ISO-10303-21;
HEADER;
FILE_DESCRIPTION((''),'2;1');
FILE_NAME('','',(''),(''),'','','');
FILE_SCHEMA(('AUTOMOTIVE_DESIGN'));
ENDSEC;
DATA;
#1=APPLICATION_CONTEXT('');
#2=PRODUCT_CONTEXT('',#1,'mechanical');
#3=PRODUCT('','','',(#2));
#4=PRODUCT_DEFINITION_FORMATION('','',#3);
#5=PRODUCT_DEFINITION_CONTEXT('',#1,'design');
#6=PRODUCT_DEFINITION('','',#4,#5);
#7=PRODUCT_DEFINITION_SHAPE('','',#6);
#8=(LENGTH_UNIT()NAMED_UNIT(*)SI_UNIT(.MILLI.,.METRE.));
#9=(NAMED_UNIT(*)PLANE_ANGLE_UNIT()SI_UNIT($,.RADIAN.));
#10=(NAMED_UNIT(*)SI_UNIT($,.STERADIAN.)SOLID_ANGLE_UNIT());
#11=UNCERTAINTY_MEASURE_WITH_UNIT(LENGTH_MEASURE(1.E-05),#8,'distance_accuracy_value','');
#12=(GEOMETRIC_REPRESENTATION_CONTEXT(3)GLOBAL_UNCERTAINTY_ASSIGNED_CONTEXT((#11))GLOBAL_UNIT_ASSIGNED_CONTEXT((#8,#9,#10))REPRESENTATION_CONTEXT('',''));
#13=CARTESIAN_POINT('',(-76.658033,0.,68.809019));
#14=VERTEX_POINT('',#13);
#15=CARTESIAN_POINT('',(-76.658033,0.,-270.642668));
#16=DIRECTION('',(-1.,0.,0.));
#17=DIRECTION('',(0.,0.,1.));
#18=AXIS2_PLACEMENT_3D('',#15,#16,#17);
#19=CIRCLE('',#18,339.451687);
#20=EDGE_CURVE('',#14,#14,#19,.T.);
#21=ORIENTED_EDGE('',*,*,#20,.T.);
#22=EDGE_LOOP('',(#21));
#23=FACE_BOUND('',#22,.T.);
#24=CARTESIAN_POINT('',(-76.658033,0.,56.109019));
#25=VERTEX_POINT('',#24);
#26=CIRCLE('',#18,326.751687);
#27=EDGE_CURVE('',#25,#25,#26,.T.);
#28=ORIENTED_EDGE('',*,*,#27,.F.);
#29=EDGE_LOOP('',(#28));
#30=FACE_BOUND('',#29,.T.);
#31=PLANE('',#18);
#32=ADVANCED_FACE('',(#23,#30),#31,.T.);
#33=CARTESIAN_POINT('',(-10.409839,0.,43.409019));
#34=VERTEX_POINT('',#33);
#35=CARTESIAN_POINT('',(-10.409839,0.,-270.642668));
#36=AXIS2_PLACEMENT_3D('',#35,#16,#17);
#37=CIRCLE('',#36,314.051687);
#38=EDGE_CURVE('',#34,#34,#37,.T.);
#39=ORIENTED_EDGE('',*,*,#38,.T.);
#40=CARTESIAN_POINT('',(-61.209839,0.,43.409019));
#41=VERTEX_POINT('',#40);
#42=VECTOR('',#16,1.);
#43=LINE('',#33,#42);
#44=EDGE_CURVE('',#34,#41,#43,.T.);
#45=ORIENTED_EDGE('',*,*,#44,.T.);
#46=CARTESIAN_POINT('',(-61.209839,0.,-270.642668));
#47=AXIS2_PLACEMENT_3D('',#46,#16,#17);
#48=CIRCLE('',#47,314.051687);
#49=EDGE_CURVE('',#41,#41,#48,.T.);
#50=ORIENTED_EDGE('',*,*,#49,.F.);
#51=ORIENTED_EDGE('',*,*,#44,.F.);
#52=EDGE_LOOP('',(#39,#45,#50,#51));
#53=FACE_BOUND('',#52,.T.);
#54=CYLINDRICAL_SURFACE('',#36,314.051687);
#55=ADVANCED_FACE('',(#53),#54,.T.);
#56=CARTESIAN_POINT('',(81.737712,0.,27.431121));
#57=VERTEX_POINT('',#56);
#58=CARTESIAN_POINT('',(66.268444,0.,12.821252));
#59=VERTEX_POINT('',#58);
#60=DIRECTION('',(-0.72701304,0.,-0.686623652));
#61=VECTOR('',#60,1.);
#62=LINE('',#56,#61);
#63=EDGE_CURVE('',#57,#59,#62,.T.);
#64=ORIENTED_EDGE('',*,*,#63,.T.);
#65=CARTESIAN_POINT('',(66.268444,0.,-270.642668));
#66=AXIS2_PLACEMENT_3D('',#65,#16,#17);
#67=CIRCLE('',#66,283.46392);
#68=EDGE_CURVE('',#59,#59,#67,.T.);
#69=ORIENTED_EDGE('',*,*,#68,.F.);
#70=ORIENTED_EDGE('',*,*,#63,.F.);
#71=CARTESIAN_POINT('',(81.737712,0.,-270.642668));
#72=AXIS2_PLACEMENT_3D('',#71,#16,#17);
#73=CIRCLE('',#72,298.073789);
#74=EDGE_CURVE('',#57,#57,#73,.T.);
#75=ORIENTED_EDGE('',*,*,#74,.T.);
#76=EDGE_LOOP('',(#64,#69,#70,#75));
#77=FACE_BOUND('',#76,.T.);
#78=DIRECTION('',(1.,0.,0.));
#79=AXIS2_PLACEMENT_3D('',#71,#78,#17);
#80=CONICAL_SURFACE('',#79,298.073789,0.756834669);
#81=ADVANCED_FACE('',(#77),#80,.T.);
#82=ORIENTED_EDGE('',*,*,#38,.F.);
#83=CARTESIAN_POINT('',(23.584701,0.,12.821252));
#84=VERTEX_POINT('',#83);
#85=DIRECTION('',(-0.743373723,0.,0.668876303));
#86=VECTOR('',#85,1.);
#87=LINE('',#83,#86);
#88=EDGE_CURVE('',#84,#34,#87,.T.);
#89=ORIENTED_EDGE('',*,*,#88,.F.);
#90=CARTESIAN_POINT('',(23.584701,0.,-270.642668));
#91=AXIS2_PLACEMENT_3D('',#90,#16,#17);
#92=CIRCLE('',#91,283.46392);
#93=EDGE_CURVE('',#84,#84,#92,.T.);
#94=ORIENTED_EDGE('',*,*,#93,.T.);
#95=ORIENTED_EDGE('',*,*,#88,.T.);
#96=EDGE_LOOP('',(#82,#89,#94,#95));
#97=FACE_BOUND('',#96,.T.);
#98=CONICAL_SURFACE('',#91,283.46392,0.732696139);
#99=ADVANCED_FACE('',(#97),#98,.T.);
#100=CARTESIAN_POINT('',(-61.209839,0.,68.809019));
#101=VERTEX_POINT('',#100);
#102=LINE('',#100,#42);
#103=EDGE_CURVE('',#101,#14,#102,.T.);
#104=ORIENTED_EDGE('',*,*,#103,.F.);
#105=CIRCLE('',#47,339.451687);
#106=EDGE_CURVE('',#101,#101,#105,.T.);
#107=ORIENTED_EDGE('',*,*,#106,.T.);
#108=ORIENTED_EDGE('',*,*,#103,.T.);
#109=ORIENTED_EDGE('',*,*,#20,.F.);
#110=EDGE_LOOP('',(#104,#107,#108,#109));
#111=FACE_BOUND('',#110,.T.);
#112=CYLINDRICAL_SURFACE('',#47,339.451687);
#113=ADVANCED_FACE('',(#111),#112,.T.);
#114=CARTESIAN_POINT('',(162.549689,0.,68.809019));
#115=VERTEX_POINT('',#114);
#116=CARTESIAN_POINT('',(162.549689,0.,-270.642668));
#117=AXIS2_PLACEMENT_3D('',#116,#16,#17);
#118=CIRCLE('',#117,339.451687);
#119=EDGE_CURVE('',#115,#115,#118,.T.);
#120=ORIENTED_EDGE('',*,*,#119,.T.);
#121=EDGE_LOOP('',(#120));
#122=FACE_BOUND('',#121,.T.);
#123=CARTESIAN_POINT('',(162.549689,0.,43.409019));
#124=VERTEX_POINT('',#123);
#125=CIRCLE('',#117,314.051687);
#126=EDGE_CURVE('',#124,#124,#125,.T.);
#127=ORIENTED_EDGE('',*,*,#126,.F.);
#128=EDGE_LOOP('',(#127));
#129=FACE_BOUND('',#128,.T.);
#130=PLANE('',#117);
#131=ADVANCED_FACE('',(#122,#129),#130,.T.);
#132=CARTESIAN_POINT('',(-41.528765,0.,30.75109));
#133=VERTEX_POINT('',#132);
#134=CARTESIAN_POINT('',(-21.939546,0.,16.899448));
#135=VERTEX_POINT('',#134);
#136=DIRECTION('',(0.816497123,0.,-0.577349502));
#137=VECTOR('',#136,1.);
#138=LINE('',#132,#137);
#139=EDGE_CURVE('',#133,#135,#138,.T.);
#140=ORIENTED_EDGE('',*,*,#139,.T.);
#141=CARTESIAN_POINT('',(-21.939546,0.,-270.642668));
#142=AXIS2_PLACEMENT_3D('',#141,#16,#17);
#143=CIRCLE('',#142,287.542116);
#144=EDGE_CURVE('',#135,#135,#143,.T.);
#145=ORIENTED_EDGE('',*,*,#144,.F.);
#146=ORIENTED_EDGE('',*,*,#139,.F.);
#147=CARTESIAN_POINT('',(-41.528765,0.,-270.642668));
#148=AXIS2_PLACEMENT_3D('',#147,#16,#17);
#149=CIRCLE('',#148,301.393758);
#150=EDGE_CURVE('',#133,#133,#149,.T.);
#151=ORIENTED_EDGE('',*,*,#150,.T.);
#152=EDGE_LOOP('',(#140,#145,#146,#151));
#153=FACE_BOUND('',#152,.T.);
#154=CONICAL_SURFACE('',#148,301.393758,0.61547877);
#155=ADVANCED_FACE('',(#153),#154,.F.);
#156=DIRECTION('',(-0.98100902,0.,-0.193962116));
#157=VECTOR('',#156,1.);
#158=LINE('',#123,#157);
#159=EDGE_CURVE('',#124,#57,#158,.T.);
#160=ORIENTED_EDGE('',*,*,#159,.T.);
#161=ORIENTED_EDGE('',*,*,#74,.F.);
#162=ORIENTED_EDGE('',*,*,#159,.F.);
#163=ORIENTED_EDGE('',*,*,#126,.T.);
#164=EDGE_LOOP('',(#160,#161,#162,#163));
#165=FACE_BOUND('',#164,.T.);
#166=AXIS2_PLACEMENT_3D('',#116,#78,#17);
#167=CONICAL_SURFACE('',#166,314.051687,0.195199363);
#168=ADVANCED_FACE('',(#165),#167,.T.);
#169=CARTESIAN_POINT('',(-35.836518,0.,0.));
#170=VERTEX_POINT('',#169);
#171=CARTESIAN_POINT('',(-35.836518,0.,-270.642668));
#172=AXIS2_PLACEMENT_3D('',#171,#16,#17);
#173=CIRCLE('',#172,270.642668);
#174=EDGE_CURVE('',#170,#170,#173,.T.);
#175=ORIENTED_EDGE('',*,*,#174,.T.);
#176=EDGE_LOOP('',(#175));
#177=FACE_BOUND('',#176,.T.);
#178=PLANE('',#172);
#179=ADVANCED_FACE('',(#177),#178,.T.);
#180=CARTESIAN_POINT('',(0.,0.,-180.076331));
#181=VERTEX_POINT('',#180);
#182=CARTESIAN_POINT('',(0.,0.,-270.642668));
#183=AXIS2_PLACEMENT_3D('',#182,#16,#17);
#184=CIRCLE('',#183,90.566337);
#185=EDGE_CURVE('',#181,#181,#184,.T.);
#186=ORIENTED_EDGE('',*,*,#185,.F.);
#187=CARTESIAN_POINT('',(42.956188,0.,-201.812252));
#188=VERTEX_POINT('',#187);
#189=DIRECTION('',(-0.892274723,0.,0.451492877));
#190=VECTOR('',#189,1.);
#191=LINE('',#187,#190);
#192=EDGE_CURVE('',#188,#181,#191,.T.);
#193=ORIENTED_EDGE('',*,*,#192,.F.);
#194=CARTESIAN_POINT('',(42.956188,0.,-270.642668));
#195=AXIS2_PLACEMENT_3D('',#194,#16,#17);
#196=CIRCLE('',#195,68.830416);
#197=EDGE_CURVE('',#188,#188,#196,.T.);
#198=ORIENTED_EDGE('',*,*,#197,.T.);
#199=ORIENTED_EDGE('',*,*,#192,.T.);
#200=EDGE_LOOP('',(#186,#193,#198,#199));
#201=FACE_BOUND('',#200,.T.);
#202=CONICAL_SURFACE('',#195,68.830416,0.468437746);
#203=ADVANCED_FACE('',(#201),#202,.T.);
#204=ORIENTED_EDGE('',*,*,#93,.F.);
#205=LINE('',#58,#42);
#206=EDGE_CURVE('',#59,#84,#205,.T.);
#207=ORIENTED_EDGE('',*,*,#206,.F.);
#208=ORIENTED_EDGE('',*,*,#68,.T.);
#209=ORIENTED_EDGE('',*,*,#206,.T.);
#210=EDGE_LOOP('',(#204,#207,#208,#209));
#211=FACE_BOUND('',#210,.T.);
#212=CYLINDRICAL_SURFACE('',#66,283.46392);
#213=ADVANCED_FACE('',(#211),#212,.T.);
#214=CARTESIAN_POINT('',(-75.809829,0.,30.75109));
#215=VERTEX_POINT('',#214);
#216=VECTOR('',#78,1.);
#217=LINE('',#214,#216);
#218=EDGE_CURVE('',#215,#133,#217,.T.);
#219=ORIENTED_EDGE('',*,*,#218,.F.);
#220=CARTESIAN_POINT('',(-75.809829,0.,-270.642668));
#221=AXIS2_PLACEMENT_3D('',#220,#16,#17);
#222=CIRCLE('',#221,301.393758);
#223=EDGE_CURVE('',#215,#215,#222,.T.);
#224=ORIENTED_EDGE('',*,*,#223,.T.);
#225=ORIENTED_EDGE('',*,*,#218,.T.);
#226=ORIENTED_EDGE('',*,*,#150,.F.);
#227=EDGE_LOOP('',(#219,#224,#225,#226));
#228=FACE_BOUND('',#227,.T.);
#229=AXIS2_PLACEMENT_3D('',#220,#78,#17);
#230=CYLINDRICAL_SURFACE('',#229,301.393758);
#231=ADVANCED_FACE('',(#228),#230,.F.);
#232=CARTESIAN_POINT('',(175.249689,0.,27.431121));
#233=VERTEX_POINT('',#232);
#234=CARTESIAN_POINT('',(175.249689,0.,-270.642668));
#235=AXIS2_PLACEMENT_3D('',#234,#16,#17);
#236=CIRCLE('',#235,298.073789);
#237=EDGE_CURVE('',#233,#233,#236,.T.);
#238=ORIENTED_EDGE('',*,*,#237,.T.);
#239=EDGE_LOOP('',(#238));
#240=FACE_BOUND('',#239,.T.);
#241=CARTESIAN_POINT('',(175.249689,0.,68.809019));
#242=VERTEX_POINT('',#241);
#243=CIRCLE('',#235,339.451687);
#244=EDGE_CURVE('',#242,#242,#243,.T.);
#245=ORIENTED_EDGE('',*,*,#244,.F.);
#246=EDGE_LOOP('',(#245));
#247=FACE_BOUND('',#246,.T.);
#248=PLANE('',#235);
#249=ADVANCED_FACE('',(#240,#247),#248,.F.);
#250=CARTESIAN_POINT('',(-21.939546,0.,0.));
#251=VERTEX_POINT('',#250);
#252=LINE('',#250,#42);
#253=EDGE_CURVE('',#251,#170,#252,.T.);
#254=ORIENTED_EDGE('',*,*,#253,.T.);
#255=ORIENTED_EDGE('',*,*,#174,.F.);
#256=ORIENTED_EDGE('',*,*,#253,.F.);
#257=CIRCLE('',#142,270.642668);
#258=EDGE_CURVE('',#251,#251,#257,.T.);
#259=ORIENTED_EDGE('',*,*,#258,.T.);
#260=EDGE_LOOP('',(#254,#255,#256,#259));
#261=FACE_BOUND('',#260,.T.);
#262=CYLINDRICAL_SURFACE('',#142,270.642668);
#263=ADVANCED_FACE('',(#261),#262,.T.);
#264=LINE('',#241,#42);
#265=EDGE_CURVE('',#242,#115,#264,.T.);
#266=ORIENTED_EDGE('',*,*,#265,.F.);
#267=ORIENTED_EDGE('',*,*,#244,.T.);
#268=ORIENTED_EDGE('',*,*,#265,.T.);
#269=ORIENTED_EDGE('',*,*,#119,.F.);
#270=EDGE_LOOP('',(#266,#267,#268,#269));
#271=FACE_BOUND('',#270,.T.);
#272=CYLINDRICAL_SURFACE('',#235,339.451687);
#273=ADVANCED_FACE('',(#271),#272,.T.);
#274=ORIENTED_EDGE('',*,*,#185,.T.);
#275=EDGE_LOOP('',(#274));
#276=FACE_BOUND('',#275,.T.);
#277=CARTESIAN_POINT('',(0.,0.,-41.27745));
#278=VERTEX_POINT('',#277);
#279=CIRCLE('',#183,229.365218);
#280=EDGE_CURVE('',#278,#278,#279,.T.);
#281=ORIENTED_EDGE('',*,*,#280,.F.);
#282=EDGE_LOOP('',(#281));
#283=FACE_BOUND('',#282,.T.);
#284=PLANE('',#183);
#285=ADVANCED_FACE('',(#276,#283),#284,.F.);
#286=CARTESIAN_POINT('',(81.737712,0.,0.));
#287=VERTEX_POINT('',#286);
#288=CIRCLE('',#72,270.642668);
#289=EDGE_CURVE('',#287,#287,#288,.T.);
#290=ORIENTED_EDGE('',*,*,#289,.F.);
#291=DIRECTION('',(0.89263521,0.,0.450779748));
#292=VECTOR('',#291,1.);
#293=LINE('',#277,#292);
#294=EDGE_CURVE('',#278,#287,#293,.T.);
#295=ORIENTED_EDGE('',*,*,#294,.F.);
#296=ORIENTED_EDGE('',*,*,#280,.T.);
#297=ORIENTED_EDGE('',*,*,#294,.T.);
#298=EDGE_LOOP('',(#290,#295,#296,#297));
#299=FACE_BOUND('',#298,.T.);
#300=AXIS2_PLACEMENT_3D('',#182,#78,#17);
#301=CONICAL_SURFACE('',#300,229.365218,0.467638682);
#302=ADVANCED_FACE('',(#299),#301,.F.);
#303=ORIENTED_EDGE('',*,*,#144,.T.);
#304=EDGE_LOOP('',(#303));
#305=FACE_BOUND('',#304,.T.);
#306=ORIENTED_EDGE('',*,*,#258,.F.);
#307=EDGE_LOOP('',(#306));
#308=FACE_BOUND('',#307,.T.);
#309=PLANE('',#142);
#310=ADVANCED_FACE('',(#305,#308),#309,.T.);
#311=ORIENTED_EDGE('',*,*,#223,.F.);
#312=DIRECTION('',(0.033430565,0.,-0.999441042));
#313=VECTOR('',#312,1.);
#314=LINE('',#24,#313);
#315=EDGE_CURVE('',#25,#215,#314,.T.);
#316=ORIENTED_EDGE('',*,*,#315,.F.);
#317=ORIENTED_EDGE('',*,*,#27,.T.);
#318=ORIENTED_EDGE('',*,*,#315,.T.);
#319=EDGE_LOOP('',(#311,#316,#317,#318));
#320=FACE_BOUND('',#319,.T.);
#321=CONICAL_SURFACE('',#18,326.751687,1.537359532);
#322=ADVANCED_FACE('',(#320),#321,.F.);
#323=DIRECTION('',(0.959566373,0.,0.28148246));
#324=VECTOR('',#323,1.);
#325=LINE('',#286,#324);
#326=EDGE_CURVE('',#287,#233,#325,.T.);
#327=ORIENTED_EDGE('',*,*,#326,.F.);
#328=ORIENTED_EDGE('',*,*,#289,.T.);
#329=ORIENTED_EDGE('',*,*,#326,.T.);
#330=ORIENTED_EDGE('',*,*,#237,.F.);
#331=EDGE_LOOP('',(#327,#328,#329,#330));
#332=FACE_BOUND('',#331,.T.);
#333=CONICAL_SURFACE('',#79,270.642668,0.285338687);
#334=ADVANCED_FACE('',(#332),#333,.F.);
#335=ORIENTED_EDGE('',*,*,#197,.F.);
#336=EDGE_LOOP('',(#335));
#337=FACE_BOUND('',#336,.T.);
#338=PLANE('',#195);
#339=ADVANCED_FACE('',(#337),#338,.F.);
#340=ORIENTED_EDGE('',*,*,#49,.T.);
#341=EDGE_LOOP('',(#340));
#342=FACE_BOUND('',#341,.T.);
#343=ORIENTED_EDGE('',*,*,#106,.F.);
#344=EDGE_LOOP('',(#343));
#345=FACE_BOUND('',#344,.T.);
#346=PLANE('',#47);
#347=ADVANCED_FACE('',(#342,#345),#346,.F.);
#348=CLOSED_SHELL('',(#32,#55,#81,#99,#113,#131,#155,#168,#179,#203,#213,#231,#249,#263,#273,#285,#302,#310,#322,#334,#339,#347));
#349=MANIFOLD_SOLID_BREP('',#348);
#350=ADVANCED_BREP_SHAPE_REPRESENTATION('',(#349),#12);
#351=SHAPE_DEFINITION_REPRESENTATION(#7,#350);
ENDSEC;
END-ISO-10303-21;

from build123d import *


with BuildPart() as f1:
    # F0 (on Front) → F1 (revolve)
    with BuildSketch(Plane.XZ):
        Polygon((-63.958033, 68.809019), (-76.658033, 68.809019), (-76.658033, 56.109019), (-75.809829, 30.75109), (-41.528765, 30.75109), (-21.939546, 16.899448), (-21.939546, 0), (-35.836518, 0), (-35.836518, -270.642668), (42.956188, -270.642668), (42.956188, -201.812252), (0, -180.076331), (0, -41.27745), (81.737712, 0), (175.249689, 27.431121), (175.249689, 68.809019), (162.549689, 68.809019), (162.549689, 43.409019), (81.737712, 27.431121), (66.268444, 12.821252), (23.584701, 12.821252), (-10.409839, 43.409019), (-61.209839, 43.409019), (-61.209839, 68.809019), align=None)
    revolve(axis=Axis((3.559835, 0, -270.642668), (-1, 0, 0)))


solid = f1.part
